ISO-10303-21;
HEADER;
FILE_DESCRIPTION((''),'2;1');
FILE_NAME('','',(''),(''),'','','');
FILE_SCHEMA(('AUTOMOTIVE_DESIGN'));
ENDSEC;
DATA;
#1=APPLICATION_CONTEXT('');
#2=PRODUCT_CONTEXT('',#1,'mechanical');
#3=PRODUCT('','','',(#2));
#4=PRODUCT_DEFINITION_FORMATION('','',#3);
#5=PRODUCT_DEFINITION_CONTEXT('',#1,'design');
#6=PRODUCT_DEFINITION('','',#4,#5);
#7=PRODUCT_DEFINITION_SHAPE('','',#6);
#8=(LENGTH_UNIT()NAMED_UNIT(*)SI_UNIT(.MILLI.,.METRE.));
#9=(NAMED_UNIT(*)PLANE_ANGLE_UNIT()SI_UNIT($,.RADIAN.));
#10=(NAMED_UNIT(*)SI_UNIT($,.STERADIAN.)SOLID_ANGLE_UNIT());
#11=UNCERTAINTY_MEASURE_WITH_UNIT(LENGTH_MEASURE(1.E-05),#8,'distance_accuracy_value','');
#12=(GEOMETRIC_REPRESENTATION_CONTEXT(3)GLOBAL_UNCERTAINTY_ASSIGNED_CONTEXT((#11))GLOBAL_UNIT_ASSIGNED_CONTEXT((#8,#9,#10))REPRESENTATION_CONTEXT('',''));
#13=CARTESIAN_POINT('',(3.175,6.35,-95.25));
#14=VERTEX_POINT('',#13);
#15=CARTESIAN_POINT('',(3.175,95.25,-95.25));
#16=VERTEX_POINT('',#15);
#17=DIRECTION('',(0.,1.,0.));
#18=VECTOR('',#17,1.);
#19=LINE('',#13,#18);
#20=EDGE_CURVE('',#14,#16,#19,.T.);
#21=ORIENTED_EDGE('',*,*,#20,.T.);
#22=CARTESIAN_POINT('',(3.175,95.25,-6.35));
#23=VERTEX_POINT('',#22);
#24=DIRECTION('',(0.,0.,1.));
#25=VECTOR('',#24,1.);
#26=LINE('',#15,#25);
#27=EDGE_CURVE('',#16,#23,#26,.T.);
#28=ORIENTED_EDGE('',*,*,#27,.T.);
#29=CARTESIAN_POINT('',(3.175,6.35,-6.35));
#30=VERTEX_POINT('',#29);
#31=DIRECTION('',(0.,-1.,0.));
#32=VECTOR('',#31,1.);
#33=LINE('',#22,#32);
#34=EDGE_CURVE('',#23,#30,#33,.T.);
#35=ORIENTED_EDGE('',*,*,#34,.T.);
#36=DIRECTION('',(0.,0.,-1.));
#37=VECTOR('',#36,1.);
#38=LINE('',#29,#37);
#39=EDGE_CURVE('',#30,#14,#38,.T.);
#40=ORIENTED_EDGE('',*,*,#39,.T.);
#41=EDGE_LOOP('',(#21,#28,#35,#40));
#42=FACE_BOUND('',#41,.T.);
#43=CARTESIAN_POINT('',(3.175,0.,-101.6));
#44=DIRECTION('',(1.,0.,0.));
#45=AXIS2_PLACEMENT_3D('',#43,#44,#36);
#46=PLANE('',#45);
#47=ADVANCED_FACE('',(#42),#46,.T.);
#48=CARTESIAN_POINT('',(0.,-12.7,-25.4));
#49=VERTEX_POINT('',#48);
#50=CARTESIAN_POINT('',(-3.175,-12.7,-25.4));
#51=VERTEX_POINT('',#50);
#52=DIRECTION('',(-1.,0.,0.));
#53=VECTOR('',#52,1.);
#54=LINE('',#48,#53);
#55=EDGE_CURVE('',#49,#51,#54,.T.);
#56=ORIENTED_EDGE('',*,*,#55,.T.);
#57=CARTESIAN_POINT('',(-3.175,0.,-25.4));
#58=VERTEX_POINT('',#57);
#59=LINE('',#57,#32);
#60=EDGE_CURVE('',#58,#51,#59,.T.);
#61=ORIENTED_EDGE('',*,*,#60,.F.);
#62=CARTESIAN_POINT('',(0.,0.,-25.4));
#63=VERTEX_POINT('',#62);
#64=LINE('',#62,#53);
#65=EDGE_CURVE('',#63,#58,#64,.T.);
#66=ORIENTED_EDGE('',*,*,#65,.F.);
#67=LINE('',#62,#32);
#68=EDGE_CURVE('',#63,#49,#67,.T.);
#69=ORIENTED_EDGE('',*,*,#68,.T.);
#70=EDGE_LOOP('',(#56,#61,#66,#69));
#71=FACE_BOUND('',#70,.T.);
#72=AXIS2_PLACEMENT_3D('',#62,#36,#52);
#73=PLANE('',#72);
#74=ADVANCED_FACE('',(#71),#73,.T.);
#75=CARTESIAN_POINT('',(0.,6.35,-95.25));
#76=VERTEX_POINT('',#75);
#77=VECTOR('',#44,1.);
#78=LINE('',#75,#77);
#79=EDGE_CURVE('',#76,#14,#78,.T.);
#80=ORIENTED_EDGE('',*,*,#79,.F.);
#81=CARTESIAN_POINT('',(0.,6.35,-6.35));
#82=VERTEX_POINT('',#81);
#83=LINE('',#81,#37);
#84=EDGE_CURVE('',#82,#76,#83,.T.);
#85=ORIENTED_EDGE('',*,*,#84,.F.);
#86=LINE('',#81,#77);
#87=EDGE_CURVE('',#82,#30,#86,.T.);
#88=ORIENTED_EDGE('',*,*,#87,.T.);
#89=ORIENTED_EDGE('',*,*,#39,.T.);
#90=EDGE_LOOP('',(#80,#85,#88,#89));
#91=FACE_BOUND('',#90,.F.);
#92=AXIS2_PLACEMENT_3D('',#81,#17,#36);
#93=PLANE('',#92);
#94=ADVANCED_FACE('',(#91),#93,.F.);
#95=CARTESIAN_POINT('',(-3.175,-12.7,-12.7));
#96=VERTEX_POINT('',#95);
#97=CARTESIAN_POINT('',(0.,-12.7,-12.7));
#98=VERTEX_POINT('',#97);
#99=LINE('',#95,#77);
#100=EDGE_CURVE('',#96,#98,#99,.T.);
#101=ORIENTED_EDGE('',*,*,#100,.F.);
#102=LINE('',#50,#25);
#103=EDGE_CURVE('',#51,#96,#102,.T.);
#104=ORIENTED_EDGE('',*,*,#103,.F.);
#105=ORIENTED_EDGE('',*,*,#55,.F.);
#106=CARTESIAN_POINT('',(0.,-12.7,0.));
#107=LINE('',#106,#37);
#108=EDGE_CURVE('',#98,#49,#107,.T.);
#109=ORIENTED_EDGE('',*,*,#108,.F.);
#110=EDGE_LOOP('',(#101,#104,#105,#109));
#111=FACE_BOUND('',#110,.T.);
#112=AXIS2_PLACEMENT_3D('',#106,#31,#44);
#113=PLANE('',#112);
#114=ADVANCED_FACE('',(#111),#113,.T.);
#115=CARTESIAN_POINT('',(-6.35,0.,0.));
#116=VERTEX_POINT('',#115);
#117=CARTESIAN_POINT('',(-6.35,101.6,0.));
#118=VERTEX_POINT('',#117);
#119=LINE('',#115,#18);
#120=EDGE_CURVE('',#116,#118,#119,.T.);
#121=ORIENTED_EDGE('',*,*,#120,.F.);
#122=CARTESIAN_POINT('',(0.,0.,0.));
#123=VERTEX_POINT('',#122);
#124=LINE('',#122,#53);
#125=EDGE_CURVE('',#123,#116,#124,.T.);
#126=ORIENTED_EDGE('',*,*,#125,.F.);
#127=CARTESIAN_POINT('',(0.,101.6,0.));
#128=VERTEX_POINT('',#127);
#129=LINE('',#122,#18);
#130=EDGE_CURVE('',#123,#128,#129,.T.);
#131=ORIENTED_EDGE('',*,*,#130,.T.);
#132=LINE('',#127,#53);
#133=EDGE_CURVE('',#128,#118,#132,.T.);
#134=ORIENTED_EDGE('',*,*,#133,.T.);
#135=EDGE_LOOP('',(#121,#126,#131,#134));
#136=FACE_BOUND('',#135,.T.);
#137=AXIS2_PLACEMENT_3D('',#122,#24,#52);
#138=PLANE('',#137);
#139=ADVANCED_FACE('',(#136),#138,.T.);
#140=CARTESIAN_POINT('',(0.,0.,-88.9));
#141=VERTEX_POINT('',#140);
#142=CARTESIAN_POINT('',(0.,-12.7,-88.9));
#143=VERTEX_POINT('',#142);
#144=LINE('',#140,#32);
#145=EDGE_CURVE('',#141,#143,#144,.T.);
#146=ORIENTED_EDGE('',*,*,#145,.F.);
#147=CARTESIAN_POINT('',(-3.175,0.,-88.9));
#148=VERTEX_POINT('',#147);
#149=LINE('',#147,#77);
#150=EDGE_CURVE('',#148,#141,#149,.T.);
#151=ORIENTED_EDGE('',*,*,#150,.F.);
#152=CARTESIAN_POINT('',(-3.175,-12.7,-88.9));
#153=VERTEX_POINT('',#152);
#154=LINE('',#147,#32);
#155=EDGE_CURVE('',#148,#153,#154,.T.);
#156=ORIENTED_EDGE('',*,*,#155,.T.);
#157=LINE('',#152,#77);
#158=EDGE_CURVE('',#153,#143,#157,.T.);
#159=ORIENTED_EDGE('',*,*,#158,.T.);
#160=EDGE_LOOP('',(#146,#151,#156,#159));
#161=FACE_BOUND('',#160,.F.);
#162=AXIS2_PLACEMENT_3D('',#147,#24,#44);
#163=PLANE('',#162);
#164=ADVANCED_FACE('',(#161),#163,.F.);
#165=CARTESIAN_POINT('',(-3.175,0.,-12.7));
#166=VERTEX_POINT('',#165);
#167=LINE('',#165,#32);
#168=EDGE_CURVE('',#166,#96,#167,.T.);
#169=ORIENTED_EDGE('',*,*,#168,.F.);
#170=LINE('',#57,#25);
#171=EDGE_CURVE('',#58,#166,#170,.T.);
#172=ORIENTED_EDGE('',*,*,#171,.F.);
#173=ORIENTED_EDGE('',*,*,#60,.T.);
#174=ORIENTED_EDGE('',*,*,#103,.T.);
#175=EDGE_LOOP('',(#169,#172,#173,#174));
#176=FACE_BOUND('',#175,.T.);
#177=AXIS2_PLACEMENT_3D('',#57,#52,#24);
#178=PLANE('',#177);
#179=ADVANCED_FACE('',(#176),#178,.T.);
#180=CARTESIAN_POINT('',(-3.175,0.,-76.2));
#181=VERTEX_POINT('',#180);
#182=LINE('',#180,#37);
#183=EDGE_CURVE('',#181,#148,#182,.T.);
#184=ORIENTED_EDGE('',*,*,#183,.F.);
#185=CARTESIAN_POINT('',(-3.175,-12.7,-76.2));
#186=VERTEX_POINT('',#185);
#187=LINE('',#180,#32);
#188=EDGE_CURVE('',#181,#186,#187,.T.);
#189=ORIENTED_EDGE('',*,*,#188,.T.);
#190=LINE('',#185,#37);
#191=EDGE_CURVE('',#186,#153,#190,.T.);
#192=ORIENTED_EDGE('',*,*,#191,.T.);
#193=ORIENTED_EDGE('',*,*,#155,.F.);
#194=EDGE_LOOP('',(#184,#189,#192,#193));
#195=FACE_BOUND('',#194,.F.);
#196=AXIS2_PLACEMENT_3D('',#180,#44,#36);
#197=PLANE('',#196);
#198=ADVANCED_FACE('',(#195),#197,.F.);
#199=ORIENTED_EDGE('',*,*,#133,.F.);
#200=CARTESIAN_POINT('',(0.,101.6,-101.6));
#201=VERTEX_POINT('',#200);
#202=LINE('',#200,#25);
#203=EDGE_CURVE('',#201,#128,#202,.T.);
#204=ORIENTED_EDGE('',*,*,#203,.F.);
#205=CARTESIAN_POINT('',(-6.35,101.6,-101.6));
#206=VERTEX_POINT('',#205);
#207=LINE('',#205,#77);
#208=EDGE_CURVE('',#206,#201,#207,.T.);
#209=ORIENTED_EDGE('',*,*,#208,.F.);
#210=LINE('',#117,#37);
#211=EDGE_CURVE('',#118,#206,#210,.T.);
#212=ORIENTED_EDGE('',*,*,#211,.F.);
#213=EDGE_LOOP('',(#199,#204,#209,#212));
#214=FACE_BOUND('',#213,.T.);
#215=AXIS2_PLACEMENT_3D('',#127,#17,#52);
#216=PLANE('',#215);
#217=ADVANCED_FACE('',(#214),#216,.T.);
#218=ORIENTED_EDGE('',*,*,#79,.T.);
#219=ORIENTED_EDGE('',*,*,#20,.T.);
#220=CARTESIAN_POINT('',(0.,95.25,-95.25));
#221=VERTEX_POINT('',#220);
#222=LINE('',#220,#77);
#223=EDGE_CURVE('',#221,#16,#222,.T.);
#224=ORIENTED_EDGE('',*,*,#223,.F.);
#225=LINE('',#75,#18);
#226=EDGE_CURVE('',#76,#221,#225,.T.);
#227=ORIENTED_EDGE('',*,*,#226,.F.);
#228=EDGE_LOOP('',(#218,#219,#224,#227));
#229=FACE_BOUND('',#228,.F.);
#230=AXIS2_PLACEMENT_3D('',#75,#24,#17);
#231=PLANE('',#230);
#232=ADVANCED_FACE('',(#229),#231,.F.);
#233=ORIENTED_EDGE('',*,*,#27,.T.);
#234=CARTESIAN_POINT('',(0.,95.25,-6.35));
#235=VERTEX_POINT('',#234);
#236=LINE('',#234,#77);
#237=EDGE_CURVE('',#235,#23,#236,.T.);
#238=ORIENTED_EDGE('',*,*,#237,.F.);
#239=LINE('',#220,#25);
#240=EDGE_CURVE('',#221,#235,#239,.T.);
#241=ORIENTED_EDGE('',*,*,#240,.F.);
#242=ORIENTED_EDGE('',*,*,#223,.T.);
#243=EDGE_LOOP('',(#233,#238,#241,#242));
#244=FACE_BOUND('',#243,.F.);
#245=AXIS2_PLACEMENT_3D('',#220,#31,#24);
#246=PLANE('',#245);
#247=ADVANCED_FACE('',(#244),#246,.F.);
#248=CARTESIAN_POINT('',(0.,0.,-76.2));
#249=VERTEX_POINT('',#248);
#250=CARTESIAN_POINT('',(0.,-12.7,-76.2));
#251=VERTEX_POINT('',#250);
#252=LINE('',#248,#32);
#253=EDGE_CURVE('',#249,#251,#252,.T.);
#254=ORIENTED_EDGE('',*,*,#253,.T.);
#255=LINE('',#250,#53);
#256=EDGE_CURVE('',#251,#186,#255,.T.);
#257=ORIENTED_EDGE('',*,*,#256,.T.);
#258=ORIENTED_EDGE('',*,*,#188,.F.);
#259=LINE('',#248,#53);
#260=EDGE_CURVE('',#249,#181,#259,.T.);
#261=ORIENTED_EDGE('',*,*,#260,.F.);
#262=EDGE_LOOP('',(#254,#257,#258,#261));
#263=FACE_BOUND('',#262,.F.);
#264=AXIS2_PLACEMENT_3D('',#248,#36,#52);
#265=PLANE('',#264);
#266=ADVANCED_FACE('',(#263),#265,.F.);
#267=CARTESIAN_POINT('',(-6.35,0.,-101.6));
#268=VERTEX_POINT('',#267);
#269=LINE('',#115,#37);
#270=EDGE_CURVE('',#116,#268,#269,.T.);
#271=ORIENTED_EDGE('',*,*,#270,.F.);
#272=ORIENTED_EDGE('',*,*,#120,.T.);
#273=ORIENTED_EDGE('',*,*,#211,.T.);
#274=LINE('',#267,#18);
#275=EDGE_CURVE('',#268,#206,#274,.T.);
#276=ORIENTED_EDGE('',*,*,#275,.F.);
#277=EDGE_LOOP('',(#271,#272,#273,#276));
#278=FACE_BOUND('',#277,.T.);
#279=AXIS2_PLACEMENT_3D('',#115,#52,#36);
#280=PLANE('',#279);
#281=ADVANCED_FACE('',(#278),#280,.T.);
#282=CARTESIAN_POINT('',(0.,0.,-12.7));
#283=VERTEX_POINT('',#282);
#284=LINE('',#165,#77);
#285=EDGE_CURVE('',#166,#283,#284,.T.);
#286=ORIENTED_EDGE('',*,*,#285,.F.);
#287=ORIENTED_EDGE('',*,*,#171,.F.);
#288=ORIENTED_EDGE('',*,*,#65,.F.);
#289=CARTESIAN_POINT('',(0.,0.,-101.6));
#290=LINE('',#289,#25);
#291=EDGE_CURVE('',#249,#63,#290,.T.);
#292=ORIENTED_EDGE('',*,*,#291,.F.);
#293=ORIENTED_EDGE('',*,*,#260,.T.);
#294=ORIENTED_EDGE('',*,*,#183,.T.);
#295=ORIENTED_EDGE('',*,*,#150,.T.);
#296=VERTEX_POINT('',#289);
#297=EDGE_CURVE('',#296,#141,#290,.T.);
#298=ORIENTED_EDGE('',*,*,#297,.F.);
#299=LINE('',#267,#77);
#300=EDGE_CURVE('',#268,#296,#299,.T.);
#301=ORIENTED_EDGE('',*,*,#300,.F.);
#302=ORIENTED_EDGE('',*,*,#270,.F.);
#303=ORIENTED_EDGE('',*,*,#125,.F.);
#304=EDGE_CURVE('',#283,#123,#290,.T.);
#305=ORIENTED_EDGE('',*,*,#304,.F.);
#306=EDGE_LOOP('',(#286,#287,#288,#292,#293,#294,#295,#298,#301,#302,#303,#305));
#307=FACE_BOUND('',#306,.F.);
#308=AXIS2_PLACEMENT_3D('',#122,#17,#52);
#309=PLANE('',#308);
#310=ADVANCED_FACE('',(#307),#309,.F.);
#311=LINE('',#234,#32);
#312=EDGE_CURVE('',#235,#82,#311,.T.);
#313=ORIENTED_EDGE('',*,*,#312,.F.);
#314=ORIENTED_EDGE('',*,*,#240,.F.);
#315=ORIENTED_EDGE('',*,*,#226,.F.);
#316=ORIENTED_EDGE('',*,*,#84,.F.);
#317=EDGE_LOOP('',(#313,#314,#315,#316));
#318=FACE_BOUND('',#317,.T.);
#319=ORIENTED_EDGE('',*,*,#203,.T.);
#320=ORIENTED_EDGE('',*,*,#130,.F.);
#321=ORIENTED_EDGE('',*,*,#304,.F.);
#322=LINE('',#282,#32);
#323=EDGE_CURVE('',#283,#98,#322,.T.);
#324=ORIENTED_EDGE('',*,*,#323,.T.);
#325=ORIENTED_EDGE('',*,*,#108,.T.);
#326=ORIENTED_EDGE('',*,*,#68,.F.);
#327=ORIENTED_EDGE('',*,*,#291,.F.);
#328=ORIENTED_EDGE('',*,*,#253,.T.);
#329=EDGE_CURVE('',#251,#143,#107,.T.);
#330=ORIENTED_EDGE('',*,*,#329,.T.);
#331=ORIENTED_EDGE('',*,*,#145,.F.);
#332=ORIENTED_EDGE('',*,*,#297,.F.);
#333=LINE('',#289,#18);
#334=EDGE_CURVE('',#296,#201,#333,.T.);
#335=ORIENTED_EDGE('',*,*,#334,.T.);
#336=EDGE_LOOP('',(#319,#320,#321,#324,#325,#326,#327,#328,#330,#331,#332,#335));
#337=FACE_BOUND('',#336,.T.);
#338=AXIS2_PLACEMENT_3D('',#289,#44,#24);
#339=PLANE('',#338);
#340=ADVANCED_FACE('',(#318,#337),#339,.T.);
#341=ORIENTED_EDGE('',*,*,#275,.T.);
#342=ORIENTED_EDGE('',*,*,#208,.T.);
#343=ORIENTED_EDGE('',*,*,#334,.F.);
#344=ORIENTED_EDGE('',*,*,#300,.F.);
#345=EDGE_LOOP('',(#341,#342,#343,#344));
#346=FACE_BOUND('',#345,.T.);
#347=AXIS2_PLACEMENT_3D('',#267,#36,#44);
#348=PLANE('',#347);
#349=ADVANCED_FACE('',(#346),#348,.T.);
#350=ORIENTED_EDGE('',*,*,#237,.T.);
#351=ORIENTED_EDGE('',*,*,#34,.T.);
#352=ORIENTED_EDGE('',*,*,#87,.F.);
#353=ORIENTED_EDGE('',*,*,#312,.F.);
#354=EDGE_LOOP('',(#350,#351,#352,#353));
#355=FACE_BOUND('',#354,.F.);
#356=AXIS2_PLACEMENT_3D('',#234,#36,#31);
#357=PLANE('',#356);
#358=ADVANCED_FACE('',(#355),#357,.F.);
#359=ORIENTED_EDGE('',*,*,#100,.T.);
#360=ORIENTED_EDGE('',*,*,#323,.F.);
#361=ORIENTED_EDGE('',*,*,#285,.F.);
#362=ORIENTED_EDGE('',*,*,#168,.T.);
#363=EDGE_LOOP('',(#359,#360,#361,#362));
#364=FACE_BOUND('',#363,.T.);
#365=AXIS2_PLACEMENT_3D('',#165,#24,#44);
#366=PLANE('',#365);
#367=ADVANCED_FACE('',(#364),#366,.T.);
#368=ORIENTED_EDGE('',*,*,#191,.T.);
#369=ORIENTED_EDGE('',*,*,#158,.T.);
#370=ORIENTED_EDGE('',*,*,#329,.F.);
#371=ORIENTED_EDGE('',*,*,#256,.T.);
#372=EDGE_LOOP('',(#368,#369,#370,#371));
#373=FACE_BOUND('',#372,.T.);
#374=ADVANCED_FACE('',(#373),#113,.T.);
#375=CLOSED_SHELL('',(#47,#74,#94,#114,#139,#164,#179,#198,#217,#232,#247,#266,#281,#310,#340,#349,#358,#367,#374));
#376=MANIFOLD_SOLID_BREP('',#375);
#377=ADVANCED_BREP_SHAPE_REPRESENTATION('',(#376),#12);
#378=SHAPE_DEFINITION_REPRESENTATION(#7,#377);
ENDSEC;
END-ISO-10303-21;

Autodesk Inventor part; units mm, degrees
ref_plane "YZ Plane" through (0, 0, 0) normal (1, 0, 0) x (0, 1, 0)
ref_plane "XZ Plane" through (0, 0, 0) normal (0, 1, 0) x (-1, 0, 0)
ref_plane "XY Plane" through (0, 0, 0) normal (0, 0, 1) x (1, 0, 0)
sketch "Sketch1" plane through (0, 0, 0) normal (0, 1, 0) x (-1, 0, 0)
  line L0 (0, 0) -> (6.35, 0)
  line L1 (6.35, 0) -> (6.35, -101.6)
  line L2 (6.35, -101.6) -> (0, -101.6)
  line L3 (0, -101.6) -> (0, 0)
  dimension "d0" = 6.35
  dimension "d1" = 101.6
extrude "Extrusion1" add sketch "Sketch1" along normal blind 101.6
sketch "Sketch2" plane through (0, 0, 0) normal (0, -1, 0) x (1, 0, 0)
  line L0 (0, 0) -> (0, -25.4)
  line L1 (0, 0) -> (0, -101.6) projected
  line L2 (0, -101.6) -> (0, -76.2)
  line L3 (0, -25.4) -> (-3.175, -25.4)
  line L4 (-3.175, -25.4) -> (-3.175, -12.7)
  line L5 (-3.175, -12.7) -> (0, -12.7)
  line L6 (0, -12.7) -> (0, -25.4)
  line L7 (0, -76.2) -> (-3.175, -76.2)
  line L8 (-3.175, -76.2) -> (-3.175, -88.9)
  line L9 (-3.175, -88.9) -> (0, -88.9)
  line L10 (0, -88.9) -> (0, -76.2)
  dimension "d4" = 25.4
  dimension "d5" = 25.4
  dimension "d6" = 3.175
  dimension "d7" = 12.7
  dimension "d8" = 3.175
  dimension "d9" = 12.7
extrude "Extrusion2" add sketch "Sketch2" along normal blind 12.7
sketch "Sketch3" plane through (0, 0, -101.6) normal (1, 0, 0) x (0, 0, -1)
  line L0 (0, 0) -> (0, 101.6) projected
  line L1 (0, 0) -> (-12.7, 0) projected
  line L2 (-101.6, 0) -> (-101.6, 101.6) projected
  line L3 (-95.25, 95.25) -> (-95.25, 6.35)
  line L4 (-95.25, 6.35) -> (-6.35, 6.35)
  line L5 (-6.35, 6.35) -> (-6.35, 95.25)
  line L6 (-6.35, 95.25) -> (-95.25, 95.25)
  line L7 (-101.6, 0) -> (0, 0) projected
  line L8 (0, 101.6) -> (-101.6, 101.6) projected
  dimension "d20" = 88.9
  dimension "d22" = 6.35
  dimension "d23" = 6.35
  dimension "d24" = 6.35
extrude "Extrusion4" add sketch "Sketch3" along normal blind 3.175 contours L6 L5 L4 L3
properties part number "top"
